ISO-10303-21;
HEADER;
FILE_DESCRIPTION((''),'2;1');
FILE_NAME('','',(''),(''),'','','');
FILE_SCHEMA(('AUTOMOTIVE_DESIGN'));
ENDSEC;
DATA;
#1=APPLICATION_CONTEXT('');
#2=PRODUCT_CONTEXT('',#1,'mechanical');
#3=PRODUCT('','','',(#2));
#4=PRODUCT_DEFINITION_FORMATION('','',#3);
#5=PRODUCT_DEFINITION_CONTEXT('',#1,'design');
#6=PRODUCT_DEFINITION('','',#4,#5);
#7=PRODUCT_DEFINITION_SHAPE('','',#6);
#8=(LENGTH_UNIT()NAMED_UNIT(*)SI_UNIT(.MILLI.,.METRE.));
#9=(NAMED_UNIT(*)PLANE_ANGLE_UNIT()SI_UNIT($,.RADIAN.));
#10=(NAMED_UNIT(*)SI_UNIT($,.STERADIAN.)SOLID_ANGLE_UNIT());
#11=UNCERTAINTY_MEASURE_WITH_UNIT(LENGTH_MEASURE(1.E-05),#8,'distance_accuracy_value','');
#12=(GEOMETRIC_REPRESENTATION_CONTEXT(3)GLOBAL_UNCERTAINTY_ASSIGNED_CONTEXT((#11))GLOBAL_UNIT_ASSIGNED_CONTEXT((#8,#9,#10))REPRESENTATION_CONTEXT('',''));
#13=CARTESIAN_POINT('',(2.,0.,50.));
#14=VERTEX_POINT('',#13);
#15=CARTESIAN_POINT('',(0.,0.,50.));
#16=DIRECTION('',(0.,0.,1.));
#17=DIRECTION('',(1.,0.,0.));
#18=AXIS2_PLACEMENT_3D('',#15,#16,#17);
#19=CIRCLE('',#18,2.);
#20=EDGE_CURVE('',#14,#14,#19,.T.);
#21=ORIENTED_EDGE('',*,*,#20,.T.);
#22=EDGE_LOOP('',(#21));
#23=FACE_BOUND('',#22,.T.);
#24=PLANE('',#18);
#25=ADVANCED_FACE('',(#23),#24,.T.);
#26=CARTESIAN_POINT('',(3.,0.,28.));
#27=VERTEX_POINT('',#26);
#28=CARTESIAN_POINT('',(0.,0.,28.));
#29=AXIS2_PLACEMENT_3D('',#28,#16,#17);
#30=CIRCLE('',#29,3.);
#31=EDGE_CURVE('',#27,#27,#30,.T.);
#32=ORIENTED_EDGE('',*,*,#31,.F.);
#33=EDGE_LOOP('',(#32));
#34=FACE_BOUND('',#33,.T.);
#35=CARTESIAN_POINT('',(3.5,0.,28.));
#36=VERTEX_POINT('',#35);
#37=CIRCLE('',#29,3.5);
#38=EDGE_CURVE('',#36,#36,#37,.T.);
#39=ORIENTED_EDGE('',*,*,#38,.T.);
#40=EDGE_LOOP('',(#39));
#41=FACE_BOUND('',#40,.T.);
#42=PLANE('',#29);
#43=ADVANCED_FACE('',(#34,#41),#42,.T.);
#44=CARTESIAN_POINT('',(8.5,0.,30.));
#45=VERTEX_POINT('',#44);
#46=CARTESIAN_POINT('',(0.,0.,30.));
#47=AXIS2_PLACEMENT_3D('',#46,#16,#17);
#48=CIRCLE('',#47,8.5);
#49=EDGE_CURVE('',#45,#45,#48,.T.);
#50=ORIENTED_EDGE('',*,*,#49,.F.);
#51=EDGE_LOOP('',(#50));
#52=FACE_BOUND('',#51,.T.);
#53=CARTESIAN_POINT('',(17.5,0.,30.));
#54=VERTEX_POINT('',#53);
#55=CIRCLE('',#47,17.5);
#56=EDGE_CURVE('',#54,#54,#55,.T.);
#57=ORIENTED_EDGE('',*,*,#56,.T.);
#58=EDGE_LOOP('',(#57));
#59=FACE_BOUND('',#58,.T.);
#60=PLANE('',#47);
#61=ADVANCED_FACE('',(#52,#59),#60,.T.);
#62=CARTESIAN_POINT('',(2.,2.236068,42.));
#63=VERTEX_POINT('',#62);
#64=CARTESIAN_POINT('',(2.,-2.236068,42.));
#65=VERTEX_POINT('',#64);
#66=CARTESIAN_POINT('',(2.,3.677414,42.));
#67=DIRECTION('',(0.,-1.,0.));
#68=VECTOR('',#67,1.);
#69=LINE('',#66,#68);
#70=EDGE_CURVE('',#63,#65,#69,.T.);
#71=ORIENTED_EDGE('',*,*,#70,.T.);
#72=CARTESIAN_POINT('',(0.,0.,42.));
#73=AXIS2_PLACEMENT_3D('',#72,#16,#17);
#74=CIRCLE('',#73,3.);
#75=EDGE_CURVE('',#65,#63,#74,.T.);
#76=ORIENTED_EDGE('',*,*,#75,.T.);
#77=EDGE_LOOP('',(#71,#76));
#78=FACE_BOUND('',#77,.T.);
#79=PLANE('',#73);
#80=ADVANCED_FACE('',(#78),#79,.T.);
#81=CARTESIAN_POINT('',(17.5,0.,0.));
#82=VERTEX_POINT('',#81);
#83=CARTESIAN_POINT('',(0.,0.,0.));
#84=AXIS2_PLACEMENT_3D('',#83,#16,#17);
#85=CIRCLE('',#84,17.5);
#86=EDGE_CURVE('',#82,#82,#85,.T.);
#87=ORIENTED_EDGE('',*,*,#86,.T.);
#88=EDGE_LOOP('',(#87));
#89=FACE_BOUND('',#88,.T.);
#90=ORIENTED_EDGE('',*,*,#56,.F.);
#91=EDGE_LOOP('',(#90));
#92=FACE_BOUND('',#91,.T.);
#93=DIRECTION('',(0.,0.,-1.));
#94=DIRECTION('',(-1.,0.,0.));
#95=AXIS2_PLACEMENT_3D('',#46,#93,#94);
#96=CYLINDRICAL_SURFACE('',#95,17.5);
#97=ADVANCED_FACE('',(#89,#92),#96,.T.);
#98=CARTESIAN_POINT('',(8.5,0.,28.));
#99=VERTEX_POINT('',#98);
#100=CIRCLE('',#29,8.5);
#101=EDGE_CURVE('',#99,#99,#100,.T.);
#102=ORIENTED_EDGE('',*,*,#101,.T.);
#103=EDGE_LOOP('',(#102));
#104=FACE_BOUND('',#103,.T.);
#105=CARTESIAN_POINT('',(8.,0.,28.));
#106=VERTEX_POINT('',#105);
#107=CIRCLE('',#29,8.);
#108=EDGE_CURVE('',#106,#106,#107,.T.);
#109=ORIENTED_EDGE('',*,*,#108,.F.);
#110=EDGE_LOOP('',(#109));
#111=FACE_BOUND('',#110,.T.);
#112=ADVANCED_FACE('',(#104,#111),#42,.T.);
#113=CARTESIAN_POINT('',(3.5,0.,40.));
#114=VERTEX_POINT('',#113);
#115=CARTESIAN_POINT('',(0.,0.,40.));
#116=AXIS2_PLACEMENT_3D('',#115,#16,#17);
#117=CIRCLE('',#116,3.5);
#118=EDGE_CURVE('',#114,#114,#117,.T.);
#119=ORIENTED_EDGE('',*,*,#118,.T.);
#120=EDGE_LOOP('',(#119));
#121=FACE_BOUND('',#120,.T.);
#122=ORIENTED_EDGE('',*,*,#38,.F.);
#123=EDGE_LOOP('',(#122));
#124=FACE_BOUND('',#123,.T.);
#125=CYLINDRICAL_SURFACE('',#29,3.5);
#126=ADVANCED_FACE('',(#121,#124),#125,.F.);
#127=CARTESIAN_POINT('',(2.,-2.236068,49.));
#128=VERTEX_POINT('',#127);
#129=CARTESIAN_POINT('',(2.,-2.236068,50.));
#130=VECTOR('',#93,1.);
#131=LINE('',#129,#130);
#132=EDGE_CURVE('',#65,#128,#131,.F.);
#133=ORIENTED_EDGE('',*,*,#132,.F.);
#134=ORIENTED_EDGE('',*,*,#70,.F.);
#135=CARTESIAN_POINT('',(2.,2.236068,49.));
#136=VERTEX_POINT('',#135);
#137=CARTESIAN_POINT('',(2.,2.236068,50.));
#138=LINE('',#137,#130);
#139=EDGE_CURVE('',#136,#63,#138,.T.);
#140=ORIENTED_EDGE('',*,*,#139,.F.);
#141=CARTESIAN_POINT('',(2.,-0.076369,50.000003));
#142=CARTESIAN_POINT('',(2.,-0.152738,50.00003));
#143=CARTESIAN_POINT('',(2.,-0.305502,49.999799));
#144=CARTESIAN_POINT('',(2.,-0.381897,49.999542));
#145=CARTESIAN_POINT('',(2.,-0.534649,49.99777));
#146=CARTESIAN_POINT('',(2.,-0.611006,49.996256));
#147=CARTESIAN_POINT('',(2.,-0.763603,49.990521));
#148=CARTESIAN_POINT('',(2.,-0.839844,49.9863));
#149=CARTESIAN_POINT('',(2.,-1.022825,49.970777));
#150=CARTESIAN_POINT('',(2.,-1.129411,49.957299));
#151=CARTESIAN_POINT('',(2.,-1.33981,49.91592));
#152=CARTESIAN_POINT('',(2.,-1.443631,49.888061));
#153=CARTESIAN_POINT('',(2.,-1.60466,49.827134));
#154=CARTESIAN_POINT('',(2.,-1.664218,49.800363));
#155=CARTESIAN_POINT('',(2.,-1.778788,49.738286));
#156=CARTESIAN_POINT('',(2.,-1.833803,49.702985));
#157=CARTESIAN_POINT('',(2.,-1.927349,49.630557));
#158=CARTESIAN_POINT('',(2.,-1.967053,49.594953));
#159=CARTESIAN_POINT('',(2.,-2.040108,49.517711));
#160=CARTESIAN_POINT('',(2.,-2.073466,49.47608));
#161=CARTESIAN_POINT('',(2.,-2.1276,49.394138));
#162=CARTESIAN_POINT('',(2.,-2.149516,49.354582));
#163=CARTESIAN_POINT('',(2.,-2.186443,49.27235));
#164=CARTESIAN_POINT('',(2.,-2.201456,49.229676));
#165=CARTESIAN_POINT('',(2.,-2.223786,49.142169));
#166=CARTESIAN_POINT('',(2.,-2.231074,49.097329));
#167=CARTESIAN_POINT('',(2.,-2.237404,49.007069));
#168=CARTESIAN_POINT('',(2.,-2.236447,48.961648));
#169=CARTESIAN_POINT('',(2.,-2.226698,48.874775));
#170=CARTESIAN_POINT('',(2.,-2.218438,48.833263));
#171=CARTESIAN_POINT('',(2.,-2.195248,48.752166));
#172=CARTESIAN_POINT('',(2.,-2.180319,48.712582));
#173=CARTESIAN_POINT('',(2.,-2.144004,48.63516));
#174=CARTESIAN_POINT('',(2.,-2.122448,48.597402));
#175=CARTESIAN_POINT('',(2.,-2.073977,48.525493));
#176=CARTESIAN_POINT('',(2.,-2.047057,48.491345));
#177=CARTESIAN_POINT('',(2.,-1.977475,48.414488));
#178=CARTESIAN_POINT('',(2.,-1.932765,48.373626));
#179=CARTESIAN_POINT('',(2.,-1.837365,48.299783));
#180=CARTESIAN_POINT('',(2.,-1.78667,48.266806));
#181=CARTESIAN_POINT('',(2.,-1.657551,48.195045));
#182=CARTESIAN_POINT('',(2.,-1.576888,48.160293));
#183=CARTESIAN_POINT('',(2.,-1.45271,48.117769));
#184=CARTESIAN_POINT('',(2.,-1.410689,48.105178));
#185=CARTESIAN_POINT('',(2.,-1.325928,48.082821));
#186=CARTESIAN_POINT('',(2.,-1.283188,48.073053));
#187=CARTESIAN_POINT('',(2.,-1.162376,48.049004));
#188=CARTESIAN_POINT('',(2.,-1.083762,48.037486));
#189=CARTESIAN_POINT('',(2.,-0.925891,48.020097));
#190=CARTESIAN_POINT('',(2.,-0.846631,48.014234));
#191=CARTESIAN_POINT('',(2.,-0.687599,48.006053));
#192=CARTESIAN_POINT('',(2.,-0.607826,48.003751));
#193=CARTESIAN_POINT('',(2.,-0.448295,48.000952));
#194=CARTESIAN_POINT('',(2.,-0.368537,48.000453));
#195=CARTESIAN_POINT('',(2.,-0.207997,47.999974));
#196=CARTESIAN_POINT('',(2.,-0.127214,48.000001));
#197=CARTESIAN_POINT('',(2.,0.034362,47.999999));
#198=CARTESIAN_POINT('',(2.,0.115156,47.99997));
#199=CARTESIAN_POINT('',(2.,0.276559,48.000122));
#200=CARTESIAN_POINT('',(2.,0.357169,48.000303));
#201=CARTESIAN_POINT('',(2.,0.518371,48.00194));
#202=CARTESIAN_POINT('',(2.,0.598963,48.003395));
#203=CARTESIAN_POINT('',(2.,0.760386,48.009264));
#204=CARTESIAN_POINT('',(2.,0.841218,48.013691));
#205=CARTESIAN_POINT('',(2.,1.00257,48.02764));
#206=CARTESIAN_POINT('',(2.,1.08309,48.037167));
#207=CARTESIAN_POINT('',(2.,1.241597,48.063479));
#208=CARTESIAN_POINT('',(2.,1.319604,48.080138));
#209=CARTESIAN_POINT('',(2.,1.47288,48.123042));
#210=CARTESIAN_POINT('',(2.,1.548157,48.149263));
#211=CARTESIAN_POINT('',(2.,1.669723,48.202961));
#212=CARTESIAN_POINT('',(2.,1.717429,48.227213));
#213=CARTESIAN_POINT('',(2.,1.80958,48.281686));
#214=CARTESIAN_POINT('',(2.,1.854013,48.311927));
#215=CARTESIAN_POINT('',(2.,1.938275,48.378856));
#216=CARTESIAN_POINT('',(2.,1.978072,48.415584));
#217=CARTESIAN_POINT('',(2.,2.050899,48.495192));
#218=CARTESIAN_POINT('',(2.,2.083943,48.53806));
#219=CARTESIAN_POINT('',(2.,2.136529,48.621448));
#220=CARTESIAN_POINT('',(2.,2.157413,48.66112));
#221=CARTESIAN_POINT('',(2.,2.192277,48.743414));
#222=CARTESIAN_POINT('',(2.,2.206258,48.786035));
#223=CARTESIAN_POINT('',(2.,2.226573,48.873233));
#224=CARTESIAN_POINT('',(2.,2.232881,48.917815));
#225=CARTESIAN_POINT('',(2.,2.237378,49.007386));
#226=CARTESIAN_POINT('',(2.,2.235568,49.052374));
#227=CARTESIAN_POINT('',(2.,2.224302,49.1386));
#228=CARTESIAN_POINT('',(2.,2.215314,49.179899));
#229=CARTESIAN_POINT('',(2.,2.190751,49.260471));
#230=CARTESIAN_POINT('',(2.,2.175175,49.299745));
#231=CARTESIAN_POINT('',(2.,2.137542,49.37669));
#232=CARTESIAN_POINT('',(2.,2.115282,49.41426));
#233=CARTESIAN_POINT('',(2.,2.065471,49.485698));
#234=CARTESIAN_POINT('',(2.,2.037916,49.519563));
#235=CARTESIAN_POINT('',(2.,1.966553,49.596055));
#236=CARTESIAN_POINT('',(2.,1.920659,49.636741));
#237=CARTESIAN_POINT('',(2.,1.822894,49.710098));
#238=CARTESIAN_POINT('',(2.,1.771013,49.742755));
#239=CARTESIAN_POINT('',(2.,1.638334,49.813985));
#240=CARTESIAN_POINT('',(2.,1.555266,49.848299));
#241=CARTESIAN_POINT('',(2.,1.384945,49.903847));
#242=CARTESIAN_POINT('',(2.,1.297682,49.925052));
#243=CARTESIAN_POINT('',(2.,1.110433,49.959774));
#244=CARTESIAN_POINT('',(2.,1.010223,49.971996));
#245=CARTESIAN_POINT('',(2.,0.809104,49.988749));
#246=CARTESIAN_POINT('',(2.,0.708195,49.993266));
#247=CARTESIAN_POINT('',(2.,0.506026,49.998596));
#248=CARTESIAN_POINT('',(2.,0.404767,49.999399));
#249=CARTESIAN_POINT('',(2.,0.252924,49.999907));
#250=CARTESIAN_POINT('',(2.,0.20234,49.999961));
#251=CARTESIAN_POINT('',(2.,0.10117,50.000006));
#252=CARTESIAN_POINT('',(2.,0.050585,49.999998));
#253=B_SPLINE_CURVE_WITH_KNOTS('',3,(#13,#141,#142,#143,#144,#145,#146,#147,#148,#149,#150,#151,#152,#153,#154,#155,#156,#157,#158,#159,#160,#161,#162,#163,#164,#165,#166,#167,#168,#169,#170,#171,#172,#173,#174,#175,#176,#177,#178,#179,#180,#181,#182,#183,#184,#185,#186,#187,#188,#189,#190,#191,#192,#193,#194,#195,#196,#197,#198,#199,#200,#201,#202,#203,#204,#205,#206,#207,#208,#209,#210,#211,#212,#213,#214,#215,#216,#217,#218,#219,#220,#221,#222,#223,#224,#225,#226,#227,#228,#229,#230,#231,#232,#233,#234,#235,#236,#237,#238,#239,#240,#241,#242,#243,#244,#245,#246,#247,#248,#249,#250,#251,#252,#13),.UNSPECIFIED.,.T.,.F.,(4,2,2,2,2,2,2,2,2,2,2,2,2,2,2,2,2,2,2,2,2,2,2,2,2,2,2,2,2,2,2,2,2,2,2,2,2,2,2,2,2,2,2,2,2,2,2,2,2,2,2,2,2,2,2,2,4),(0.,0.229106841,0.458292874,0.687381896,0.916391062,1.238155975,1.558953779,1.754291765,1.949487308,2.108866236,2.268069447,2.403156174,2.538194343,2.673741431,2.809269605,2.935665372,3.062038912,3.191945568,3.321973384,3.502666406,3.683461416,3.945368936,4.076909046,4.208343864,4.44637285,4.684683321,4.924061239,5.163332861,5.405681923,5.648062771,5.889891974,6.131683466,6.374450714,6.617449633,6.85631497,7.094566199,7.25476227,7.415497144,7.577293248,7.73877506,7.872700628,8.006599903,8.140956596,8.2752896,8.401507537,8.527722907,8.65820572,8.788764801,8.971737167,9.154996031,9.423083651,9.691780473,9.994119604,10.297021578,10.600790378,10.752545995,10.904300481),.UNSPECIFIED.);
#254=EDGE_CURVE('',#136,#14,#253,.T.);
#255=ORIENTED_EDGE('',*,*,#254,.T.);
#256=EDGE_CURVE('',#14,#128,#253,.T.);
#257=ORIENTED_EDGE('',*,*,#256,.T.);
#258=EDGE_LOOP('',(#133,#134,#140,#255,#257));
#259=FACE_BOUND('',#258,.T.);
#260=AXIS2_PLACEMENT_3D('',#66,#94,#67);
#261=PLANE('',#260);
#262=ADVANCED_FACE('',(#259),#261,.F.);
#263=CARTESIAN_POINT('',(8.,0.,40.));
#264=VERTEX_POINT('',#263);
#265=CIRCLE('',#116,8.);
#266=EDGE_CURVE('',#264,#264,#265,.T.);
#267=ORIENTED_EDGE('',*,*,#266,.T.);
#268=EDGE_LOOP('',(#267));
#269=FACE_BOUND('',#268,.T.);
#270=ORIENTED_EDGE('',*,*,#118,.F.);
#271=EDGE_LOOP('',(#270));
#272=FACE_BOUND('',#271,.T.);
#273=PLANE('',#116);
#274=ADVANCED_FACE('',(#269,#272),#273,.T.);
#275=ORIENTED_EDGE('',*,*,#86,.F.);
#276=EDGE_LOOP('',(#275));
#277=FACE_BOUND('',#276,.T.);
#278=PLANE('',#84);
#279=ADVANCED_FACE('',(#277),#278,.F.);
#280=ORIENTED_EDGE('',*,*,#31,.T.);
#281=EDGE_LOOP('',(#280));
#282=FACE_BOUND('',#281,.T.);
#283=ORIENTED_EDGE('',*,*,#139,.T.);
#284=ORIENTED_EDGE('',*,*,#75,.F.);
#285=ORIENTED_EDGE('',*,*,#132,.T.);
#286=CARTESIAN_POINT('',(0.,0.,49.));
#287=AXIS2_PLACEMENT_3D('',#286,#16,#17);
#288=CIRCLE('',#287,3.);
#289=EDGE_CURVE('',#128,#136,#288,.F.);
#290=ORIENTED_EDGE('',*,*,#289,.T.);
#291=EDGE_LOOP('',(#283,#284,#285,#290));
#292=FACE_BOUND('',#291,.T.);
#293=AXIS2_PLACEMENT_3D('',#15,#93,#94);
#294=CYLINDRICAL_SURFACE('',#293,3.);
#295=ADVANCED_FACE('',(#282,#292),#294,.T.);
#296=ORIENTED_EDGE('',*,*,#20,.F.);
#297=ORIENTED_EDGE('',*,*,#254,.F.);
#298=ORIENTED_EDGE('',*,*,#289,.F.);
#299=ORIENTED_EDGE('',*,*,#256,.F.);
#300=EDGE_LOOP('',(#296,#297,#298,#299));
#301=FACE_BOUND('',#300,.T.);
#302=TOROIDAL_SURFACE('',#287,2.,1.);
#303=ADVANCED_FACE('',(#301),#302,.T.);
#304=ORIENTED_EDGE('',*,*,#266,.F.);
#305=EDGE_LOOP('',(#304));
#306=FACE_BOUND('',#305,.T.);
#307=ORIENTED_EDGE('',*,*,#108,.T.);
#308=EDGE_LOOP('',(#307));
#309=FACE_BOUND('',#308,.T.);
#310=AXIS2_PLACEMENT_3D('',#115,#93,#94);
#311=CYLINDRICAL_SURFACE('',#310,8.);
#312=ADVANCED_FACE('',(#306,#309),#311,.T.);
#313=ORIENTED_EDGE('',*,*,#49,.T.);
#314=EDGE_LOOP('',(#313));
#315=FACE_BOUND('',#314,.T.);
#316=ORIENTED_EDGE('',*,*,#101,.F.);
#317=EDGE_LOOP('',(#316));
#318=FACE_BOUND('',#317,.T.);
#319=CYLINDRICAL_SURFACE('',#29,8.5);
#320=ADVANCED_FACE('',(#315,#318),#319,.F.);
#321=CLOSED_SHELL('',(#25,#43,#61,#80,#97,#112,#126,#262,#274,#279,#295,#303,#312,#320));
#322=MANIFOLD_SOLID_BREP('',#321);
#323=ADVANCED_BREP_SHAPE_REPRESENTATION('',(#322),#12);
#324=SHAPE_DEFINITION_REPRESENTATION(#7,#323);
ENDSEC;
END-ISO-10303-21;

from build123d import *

# Parameters (mm, degrees)
SKETCH_1_R          = 17.5
EXTRUDE_1_DEPTH     = 30
SKETCH_2_R          = 8
EXTRUDE_2_DEPTH     = 10
CUT_EXTRUDE_START   = -2
SKETCH_3_R          = 8.5
SKETCH_3_R_2        = 8
CUT_EXTRUDE_1_DEPTH = 2
SKETCH_4_R          = 3
EXTRUDE_3_DEPTH     = 10
CUT_EXTRUDE_START_2 = -12
SKETCH_5_R          = 3.5
SKETCH_5_R_2        = 3
CUT_EXTRUDE_2_DEPTH = 12
FILLET_1_R          = 1
SKETCH_6_W          = 2.555325261
SKETCH_6_H          = 9.362978713
CUT_EXTRUDE_3_DEPTH = 8


with BuildPart() as part:
    # 草图1 → 凸台-拉伸1 (new body)
    with BuildSketch(Plane.XY):
        Circle(SKETCH_1_R)
    extrude(amount=EXTRUDE_1_DEPTH)

    # 草图2 → 凸台-拉伸2 (add)
    with BuildSketch(Plane.XY.offset(30)):
        Circle(SKETCH_2_R)
    extrude(amount=EXTRUDE_2_DEPTH)

    # 草图3 → 切除-拉伸1 (cut)
    with BuildSketch(Plane.XY.offset(30).offset(CUT_EXTRUDE_START)):
        Circle(SKETCH_3_R)
        Circle(SKETCH_3_R_2, mode=Mode.SUBTRACT)
    extrude(amount=CUT_EXTRUDE_1_DEPTH, mode=Mode.SUBTRACT)

    # 草图4 → 凸台-拉伸3 (add)
    with BuildSketch(Plane.XY.offset(40)):
        Circle(SKETCH_4_R)
    extrude(amount=EXTRUDE_3_DEPTH)

    # 草图5 → 切除-拉伸2 (cut)
    with BuildSketch(Plane.XY.offset(40).offset(CUT_EXTRUDE_START_2)):
        Circle(SKETCH_5_R)
        Circle(SKETCH_5_R_2, mode=Mode.SUBTRACT)
    extrude(amount=CUT_EXTRUDE_2_DEPTH, mode=Mode.SUBTRACT)

    # 圆角1
    fillet_1_edges = [part.edges().sort_by_distance(p)[0] for p in [
        (-3, 0, 50),
    ]]
    fillet(fillet_1_edges, radius=FILLET_1_R)

    # 草图6 → 切除-拉伸3 (cut)
    with BuildSketch(Plane.XY.offset(50)):
        with Locations((3.277662631, -1.004075507)):
            Rectangle(SKETCH_6_W, SKETCH_6_H)
    extrude(amount=-CUT_EXTRUDE_3_DEPTH, mode=Mode.SUBTRACT)


solid = part.part
